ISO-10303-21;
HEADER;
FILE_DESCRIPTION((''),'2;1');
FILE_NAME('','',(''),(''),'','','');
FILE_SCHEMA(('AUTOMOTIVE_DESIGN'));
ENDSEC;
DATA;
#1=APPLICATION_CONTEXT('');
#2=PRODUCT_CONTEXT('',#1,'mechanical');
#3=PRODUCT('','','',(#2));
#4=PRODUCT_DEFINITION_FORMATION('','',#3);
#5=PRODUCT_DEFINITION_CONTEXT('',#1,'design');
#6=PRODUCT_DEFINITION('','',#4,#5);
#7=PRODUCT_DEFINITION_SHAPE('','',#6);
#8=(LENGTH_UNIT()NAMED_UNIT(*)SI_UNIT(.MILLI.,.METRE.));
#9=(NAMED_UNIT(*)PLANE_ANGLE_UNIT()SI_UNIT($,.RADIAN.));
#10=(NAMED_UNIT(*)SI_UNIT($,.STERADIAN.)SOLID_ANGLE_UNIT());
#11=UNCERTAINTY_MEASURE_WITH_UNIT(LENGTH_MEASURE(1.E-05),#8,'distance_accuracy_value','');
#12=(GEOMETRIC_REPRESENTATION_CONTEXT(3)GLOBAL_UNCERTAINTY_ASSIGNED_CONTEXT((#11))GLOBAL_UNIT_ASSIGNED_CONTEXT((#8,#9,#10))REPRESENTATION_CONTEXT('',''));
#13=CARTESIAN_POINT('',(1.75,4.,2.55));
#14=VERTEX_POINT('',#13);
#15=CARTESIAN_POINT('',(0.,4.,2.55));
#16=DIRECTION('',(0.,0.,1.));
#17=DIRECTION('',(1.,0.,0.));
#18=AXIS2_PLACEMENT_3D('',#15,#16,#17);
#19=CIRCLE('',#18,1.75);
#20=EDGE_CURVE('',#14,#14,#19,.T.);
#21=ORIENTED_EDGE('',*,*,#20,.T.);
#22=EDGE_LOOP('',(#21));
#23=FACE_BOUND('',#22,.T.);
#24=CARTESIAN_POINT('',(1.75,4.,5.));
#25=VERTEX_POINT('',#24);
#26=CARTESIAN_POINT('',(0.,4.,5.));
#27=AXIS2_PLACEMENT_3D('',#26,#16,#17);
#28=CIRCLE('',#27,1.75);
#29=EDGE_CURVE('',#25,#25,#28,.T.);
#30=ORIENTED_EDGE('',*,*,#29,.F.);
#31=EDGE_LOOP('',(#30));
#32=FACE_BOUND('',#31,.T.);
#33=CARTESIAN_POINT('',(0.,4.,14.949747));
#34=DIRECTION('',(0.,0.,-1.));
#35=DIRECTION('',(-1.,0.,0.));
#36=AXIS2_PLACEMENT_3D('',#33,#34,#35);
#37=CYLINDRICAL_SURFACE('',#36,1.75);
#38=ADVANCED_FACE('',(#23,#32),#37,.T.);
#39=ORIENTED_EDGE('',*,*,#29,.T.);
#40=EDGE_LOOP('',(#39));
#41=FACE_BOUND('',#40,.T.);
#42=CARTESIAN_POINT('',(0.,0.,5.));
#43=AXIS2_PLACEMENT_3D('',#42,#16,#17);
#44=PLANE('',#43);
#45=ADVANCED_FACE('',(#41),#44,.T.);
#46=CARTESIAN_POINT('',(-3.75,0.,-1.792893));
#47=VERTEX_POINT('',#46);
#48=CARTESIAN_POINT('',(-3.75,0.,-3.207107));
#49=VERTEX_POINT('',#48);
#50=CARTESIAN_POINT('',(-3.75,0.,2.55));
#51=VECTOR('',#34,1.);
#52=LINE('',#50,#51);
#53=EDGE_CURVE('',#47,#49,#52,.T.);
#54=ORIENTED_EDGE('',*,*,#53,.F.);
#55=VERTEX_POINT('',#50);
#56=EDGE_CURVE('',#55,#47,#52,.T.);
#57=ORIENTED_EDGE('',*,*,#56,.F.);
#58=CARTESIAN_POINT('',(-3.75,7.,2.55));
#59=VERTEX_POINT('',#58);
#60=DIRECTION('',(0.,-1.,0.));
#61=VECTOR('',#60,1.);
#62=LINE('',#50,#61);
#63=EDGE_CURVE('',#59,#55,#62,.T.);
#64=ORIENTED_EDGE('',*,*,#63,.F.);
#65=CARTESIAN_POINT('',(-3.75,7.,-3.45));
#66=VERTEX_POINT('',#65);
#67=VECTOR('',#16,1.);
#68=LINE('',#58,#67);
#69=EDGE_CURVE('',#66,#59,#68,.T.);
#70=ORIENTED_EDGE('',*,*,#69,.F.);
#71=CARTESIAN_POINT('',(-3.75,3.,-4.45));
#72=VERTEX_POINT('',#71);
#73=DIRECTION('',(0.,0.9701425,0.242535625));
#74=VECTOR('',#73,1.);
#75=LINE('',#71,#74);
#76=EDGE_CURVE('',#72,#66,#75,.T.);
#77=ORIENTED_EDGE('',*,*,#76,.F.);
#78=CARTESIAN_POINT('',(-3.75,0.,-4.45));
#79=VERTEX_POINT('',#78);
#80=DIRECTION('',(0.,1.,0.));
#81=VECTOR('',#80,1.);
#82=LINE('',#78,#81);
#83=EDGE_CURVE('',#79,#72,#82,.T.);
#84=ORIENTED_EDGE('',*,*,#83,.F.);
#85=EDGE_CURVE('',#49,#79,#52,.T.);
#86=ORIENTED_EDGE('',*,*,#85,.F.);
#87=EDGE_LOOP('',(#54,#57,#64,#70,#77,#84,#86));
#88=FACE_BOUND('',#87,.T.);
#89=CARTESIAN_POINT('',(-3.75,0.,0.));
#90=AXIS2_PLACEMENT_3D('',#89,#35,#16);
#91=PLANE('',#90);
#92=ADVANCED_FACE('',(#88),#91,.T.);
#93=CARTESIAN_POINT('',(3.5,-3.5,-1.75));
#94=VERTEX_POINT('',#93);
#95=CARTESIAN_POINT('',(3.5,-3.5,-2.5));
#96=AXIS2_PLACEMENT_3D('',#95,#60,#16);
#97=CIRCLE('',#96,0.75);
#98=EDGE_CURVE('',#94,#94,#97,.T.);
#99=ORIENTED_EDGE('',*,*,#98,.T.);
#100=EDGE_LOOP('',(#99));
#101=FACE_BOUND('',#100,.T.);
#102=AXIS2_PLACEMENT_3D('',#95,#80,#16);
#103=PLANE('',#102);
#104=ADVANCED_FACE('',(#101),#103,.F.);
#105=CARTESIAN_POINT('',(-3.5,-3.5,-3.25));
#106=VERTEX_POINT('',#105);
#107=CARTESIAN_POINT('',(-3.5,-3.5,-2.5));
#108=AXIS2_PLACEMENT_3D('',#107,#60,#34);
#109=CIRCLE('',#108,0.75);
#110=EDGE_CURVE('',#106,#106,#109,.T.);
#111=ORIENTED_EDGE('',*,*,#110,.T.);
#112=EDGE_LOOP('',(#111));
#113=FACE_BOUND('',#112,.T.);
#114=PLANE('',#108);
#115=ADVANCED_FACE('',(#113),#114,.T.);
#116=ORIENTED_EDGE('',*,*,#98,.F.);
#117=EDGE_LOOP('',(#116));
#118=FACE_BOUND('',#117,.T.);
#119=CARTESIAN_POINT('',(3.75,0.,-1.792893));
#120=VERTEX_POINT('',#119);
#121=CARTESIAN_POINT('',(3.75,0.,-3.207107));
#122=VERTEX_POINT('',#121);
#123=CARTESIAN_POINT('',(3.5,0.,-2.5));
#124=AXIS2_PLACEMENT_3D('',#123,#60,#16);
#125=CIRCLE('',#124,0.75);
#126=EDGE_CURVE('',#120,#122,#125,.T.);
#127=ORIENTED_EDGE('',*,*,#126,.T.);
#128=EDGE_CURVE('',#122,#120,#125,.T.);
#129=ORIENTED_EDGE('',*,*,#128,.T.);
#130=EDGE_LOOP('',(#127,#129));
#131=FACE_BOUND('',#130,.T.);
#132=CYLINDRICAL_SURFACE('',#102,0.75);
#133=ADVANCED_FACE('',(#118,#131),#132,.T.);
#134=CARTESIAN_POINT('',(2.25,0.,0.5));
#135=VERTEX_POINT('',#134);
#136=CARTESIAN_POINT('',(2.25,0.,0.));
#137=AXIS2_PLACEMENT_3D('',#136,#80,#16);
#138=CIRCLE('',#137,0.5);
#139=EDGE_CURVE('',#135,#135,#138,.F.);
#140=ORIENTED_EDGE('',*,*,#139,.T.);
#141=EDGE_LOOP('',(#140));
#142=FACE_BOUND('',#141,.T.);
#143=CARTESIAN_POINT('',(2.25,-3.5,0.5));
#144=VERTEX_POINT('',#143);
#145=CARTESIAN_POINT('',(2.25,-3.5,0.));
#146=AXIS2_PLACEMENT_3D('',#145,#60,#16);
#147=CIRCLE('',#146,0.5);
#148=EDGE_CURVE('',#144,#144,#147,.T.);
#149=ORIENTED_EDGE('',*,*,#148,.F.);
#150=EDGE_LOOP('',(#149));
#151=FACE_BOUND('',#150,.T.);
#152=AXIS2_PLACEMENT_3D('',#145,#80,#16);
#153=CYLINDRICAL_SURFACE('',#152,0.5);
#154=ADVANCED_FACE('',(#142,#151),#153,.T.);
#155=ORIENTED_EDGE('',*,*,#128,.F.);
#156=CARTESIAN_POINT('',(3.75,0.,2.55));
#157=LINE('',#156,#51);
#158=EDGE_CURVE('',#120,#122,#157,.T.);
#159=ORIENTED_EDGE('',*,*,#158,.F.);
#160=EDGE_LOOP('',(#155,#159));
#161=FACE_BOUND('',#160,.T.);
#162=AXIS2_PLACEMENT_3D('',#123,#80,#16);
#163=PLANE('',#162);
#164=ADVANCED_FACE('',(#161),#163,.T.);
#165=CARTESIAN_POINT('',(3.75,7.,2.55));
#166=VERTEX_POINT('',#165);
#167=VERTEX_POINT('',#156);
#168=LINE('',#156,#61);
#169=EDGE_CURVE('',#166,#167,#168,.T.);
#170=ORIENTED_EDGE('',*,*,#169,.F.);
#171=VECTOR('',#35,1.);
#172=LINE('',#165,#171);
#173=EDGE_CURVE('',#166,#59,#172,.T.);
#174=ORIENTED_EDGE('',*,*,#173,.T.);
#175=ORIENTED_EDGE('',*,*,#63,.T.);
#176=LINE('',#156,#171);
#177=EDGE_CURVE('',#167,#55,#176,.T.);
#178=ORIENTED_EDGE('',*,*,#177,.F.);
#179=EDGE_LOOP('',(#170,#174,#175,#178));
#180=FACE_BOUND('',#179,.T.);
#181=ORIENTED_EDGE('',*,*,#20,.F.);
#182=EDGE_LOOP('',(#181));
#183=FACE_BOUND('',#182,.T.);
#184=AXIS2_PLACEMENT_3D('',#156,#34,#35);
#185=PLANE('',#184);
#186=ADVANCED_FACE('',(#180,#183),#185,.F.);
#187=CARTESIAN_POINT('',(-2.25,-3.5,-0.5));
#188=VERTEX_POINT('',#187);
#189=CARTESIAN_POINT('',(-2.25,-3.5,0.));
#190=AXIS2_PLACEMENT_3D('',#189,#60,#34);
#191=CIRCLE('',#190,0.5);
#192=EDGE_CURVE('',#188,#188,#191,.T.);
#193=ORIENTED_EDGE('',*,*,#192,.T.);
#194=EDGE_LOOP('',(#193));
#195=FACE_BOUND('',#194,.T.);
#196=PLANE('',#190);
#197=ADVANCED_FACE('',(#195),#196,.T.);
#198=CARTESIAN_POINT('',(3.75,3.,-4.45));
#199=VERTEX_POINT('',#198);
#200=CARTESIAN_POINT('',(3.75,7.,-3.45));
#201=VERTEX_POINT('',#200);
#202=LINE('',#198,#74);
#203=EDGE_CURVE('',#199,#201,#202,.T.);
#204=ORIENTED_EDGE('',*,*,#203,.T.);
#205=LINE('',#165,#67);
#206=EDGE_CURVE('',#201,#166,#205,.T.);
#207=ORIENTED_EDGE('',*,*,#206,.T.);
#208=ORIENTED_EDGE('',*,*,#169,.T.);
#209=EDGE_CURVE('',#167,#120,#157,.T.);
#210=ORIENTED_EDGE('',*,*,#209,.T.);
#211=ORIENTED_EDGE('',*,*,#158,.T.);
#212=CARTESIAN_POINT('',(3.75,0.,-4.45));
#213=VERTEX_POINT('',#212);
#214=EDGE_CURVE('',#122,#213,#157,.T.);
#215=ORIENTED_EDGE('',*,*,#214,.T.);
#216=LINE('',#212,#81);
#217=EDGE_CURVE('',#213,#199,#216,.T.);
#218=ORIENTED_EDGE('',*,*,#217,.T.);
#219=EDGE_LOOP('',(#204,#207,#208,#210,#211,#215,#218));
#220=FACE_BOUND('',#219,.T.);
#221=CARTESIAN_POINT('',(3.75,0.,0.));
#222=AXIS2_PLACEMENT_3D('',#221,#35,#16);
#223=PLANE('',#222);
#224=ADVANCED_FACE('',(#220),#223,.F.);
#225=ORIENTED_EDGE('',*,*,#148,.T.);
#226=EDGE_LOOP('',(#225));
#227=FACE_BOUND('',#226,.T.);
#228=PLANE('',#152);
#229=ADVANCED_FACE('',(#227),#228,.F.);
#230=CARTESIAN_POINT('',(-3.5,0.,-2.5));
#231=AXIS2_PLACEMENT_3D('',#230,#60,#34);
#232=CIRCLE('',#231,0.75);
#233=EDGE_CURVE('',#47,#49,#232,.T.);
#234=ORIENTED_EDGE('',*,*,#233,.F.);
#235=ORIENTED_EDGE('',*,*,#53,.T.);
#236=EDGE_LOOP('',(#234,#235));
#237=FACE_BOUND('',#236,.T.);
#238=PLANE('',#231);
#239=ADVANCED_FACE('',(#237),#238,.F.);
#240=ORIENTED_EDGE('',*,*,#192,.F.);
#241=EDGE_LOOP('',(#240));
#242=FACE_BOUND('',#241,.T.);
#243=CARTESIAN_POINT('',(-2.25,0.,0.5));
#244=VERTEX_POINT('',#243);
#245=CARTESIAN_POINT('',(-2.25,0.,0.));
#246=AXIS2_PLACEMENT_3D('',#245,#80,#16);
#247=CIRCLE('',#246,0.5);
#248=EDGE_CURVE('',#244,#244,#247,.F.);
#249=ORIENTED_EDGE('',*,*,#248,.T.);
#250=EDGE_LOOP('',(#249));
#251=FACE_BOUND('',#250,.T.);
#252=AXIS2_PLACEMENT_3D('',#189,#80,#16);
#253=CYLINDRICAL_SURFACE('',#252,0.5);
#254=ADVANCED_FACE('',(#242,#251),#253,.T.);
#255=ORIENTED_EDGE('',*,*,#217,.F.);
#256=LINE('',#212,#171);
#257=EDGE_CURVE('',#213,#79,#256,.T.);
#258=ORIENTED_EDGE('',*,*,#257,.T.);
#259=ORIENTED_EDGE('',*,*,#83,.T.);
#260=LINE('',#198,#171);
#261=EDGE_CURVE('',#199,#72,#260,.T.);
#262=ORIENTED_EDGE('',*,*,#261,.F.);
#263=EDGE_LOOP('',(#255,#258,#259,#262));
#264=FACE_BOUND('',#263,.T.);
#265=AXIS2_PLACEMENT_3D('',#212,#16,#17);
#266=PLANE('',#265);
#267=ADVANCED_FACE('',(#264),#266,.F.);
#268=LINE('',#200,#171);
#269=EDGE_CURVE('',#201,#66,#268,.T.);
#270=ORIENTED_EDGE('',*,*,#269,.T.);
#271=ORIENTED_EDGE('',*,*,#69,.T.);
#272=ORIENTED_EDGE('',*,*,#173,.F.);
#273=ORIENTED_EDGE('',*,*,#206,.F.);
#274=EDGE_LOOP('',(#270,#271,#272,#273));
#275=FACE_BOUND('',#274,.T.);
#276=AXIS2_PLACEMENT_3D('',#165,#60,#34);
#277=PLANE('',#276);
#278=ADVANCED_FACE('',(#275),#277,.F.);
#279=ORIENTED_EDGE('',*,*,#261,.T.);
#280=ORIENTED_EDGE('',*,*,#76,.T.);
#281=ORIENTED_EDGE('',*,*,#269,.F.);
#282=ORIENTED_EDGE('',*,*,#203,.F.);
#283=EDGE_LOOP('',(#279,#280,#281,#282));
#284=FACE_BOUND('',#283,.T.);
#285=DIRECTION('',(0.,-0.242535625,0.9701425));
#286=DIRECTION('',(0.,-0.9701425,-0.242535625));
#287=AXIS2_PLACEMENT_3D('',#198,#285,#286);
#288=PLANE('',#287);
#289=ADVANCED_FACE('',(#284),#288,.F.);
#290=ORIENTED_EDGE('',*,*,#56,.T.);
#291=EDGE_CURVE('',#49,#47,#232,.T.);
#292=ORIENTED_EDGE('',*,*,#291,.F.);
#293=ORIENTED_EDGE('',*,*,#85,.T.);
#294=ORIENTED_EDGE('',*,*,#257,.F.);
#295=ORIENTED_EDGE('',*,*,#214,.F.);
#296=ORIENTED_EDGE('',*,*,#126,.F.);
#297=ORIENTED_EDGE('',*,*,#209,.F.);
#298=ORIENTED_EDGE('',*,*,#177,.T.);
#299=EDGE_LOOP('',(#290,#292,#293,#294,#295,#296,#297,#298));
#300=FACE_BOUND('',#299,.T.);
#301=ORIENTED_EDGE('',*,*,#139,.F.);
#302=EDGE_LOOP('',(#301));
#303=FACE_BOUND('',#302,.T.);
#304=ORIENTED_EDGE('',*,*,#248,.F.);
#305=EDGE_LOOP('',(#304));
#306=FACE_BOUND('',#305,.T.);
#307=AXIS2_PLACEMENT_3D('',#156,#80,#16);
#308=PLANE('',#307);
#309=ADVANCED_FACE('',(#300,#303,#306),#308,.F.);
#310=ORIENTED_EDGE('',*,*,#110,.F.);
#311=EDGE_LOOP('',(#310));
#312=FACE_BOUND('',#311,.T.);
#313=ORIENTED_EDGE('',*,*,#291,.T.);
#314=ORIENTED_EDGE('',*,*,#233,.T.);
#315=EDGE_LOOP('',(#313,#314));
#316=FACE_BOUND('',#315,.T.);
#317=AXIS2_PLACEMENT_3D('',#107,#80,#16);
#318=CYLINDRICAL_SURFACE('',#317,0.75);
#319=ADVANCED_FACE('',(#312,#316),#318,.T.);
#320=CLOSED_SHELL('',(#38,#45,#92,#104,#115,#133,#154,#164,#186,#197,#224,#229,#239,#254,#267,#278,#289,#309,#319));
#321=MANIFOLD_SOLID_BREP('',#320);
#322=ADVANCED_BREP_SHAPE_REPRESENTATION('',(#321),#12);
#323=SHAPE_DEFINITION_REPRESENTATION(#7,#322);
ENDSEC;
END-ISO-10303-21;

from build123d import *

# Parameters (mm, degrees)
EXTRUDE_1_DEPTH = 3.75
SKETCH_4_R      = 0.75
SKETCH_4_R_2    = 0.5
EXTRUDE_3_DEPTH = 3.5
SKETCH_3_R      = 1.75
EXTRUDE_2_DEPTH = 2.45


with BuildPart() as part:
    # 草图2 → 凸台-拉伸1 (new body, symmetric)
    with BuildSketch(Plane(origin=(0, 0, 0), x_dir=(0, 0, -1), z_dir=(1, 0, 0))):
        Polygon((-2.55, 0), (4.45, 0), (4.45, 3), (3.45, 7), (-2.55, 7), align=None)
    extrude(amount=EXTRUDE_1_DEPTH, both=True)

    # 草图4 → 凸台-拉伸3 (add)
    with BuildSketch(Plane.XZ):
        with Locations((-3.5, -2.5)):
            Circle(SKETCH_4_R)
        with Locations((-2.25, 0)):
            Circle(SKETCH_4_R_2)
        with Locations((2.25, 0)):
            Circle(SKETCH_4_R_2)
        with Locations((3.5, -2.5)):
            Circle(SKETCH_4_R)
    extrude(amount=EXTRUDE_3_DEPTH)

    # 草图3 → 凸台-拉伸2 (add)
    with BuildSketch(Plane.XY.offset(2.55)):
        with Locations((0, 4)):
            Circle(SKETCH_3_R)
    extrude(amount=EXTRUDE_2_DEPTH)


solid = part.part
